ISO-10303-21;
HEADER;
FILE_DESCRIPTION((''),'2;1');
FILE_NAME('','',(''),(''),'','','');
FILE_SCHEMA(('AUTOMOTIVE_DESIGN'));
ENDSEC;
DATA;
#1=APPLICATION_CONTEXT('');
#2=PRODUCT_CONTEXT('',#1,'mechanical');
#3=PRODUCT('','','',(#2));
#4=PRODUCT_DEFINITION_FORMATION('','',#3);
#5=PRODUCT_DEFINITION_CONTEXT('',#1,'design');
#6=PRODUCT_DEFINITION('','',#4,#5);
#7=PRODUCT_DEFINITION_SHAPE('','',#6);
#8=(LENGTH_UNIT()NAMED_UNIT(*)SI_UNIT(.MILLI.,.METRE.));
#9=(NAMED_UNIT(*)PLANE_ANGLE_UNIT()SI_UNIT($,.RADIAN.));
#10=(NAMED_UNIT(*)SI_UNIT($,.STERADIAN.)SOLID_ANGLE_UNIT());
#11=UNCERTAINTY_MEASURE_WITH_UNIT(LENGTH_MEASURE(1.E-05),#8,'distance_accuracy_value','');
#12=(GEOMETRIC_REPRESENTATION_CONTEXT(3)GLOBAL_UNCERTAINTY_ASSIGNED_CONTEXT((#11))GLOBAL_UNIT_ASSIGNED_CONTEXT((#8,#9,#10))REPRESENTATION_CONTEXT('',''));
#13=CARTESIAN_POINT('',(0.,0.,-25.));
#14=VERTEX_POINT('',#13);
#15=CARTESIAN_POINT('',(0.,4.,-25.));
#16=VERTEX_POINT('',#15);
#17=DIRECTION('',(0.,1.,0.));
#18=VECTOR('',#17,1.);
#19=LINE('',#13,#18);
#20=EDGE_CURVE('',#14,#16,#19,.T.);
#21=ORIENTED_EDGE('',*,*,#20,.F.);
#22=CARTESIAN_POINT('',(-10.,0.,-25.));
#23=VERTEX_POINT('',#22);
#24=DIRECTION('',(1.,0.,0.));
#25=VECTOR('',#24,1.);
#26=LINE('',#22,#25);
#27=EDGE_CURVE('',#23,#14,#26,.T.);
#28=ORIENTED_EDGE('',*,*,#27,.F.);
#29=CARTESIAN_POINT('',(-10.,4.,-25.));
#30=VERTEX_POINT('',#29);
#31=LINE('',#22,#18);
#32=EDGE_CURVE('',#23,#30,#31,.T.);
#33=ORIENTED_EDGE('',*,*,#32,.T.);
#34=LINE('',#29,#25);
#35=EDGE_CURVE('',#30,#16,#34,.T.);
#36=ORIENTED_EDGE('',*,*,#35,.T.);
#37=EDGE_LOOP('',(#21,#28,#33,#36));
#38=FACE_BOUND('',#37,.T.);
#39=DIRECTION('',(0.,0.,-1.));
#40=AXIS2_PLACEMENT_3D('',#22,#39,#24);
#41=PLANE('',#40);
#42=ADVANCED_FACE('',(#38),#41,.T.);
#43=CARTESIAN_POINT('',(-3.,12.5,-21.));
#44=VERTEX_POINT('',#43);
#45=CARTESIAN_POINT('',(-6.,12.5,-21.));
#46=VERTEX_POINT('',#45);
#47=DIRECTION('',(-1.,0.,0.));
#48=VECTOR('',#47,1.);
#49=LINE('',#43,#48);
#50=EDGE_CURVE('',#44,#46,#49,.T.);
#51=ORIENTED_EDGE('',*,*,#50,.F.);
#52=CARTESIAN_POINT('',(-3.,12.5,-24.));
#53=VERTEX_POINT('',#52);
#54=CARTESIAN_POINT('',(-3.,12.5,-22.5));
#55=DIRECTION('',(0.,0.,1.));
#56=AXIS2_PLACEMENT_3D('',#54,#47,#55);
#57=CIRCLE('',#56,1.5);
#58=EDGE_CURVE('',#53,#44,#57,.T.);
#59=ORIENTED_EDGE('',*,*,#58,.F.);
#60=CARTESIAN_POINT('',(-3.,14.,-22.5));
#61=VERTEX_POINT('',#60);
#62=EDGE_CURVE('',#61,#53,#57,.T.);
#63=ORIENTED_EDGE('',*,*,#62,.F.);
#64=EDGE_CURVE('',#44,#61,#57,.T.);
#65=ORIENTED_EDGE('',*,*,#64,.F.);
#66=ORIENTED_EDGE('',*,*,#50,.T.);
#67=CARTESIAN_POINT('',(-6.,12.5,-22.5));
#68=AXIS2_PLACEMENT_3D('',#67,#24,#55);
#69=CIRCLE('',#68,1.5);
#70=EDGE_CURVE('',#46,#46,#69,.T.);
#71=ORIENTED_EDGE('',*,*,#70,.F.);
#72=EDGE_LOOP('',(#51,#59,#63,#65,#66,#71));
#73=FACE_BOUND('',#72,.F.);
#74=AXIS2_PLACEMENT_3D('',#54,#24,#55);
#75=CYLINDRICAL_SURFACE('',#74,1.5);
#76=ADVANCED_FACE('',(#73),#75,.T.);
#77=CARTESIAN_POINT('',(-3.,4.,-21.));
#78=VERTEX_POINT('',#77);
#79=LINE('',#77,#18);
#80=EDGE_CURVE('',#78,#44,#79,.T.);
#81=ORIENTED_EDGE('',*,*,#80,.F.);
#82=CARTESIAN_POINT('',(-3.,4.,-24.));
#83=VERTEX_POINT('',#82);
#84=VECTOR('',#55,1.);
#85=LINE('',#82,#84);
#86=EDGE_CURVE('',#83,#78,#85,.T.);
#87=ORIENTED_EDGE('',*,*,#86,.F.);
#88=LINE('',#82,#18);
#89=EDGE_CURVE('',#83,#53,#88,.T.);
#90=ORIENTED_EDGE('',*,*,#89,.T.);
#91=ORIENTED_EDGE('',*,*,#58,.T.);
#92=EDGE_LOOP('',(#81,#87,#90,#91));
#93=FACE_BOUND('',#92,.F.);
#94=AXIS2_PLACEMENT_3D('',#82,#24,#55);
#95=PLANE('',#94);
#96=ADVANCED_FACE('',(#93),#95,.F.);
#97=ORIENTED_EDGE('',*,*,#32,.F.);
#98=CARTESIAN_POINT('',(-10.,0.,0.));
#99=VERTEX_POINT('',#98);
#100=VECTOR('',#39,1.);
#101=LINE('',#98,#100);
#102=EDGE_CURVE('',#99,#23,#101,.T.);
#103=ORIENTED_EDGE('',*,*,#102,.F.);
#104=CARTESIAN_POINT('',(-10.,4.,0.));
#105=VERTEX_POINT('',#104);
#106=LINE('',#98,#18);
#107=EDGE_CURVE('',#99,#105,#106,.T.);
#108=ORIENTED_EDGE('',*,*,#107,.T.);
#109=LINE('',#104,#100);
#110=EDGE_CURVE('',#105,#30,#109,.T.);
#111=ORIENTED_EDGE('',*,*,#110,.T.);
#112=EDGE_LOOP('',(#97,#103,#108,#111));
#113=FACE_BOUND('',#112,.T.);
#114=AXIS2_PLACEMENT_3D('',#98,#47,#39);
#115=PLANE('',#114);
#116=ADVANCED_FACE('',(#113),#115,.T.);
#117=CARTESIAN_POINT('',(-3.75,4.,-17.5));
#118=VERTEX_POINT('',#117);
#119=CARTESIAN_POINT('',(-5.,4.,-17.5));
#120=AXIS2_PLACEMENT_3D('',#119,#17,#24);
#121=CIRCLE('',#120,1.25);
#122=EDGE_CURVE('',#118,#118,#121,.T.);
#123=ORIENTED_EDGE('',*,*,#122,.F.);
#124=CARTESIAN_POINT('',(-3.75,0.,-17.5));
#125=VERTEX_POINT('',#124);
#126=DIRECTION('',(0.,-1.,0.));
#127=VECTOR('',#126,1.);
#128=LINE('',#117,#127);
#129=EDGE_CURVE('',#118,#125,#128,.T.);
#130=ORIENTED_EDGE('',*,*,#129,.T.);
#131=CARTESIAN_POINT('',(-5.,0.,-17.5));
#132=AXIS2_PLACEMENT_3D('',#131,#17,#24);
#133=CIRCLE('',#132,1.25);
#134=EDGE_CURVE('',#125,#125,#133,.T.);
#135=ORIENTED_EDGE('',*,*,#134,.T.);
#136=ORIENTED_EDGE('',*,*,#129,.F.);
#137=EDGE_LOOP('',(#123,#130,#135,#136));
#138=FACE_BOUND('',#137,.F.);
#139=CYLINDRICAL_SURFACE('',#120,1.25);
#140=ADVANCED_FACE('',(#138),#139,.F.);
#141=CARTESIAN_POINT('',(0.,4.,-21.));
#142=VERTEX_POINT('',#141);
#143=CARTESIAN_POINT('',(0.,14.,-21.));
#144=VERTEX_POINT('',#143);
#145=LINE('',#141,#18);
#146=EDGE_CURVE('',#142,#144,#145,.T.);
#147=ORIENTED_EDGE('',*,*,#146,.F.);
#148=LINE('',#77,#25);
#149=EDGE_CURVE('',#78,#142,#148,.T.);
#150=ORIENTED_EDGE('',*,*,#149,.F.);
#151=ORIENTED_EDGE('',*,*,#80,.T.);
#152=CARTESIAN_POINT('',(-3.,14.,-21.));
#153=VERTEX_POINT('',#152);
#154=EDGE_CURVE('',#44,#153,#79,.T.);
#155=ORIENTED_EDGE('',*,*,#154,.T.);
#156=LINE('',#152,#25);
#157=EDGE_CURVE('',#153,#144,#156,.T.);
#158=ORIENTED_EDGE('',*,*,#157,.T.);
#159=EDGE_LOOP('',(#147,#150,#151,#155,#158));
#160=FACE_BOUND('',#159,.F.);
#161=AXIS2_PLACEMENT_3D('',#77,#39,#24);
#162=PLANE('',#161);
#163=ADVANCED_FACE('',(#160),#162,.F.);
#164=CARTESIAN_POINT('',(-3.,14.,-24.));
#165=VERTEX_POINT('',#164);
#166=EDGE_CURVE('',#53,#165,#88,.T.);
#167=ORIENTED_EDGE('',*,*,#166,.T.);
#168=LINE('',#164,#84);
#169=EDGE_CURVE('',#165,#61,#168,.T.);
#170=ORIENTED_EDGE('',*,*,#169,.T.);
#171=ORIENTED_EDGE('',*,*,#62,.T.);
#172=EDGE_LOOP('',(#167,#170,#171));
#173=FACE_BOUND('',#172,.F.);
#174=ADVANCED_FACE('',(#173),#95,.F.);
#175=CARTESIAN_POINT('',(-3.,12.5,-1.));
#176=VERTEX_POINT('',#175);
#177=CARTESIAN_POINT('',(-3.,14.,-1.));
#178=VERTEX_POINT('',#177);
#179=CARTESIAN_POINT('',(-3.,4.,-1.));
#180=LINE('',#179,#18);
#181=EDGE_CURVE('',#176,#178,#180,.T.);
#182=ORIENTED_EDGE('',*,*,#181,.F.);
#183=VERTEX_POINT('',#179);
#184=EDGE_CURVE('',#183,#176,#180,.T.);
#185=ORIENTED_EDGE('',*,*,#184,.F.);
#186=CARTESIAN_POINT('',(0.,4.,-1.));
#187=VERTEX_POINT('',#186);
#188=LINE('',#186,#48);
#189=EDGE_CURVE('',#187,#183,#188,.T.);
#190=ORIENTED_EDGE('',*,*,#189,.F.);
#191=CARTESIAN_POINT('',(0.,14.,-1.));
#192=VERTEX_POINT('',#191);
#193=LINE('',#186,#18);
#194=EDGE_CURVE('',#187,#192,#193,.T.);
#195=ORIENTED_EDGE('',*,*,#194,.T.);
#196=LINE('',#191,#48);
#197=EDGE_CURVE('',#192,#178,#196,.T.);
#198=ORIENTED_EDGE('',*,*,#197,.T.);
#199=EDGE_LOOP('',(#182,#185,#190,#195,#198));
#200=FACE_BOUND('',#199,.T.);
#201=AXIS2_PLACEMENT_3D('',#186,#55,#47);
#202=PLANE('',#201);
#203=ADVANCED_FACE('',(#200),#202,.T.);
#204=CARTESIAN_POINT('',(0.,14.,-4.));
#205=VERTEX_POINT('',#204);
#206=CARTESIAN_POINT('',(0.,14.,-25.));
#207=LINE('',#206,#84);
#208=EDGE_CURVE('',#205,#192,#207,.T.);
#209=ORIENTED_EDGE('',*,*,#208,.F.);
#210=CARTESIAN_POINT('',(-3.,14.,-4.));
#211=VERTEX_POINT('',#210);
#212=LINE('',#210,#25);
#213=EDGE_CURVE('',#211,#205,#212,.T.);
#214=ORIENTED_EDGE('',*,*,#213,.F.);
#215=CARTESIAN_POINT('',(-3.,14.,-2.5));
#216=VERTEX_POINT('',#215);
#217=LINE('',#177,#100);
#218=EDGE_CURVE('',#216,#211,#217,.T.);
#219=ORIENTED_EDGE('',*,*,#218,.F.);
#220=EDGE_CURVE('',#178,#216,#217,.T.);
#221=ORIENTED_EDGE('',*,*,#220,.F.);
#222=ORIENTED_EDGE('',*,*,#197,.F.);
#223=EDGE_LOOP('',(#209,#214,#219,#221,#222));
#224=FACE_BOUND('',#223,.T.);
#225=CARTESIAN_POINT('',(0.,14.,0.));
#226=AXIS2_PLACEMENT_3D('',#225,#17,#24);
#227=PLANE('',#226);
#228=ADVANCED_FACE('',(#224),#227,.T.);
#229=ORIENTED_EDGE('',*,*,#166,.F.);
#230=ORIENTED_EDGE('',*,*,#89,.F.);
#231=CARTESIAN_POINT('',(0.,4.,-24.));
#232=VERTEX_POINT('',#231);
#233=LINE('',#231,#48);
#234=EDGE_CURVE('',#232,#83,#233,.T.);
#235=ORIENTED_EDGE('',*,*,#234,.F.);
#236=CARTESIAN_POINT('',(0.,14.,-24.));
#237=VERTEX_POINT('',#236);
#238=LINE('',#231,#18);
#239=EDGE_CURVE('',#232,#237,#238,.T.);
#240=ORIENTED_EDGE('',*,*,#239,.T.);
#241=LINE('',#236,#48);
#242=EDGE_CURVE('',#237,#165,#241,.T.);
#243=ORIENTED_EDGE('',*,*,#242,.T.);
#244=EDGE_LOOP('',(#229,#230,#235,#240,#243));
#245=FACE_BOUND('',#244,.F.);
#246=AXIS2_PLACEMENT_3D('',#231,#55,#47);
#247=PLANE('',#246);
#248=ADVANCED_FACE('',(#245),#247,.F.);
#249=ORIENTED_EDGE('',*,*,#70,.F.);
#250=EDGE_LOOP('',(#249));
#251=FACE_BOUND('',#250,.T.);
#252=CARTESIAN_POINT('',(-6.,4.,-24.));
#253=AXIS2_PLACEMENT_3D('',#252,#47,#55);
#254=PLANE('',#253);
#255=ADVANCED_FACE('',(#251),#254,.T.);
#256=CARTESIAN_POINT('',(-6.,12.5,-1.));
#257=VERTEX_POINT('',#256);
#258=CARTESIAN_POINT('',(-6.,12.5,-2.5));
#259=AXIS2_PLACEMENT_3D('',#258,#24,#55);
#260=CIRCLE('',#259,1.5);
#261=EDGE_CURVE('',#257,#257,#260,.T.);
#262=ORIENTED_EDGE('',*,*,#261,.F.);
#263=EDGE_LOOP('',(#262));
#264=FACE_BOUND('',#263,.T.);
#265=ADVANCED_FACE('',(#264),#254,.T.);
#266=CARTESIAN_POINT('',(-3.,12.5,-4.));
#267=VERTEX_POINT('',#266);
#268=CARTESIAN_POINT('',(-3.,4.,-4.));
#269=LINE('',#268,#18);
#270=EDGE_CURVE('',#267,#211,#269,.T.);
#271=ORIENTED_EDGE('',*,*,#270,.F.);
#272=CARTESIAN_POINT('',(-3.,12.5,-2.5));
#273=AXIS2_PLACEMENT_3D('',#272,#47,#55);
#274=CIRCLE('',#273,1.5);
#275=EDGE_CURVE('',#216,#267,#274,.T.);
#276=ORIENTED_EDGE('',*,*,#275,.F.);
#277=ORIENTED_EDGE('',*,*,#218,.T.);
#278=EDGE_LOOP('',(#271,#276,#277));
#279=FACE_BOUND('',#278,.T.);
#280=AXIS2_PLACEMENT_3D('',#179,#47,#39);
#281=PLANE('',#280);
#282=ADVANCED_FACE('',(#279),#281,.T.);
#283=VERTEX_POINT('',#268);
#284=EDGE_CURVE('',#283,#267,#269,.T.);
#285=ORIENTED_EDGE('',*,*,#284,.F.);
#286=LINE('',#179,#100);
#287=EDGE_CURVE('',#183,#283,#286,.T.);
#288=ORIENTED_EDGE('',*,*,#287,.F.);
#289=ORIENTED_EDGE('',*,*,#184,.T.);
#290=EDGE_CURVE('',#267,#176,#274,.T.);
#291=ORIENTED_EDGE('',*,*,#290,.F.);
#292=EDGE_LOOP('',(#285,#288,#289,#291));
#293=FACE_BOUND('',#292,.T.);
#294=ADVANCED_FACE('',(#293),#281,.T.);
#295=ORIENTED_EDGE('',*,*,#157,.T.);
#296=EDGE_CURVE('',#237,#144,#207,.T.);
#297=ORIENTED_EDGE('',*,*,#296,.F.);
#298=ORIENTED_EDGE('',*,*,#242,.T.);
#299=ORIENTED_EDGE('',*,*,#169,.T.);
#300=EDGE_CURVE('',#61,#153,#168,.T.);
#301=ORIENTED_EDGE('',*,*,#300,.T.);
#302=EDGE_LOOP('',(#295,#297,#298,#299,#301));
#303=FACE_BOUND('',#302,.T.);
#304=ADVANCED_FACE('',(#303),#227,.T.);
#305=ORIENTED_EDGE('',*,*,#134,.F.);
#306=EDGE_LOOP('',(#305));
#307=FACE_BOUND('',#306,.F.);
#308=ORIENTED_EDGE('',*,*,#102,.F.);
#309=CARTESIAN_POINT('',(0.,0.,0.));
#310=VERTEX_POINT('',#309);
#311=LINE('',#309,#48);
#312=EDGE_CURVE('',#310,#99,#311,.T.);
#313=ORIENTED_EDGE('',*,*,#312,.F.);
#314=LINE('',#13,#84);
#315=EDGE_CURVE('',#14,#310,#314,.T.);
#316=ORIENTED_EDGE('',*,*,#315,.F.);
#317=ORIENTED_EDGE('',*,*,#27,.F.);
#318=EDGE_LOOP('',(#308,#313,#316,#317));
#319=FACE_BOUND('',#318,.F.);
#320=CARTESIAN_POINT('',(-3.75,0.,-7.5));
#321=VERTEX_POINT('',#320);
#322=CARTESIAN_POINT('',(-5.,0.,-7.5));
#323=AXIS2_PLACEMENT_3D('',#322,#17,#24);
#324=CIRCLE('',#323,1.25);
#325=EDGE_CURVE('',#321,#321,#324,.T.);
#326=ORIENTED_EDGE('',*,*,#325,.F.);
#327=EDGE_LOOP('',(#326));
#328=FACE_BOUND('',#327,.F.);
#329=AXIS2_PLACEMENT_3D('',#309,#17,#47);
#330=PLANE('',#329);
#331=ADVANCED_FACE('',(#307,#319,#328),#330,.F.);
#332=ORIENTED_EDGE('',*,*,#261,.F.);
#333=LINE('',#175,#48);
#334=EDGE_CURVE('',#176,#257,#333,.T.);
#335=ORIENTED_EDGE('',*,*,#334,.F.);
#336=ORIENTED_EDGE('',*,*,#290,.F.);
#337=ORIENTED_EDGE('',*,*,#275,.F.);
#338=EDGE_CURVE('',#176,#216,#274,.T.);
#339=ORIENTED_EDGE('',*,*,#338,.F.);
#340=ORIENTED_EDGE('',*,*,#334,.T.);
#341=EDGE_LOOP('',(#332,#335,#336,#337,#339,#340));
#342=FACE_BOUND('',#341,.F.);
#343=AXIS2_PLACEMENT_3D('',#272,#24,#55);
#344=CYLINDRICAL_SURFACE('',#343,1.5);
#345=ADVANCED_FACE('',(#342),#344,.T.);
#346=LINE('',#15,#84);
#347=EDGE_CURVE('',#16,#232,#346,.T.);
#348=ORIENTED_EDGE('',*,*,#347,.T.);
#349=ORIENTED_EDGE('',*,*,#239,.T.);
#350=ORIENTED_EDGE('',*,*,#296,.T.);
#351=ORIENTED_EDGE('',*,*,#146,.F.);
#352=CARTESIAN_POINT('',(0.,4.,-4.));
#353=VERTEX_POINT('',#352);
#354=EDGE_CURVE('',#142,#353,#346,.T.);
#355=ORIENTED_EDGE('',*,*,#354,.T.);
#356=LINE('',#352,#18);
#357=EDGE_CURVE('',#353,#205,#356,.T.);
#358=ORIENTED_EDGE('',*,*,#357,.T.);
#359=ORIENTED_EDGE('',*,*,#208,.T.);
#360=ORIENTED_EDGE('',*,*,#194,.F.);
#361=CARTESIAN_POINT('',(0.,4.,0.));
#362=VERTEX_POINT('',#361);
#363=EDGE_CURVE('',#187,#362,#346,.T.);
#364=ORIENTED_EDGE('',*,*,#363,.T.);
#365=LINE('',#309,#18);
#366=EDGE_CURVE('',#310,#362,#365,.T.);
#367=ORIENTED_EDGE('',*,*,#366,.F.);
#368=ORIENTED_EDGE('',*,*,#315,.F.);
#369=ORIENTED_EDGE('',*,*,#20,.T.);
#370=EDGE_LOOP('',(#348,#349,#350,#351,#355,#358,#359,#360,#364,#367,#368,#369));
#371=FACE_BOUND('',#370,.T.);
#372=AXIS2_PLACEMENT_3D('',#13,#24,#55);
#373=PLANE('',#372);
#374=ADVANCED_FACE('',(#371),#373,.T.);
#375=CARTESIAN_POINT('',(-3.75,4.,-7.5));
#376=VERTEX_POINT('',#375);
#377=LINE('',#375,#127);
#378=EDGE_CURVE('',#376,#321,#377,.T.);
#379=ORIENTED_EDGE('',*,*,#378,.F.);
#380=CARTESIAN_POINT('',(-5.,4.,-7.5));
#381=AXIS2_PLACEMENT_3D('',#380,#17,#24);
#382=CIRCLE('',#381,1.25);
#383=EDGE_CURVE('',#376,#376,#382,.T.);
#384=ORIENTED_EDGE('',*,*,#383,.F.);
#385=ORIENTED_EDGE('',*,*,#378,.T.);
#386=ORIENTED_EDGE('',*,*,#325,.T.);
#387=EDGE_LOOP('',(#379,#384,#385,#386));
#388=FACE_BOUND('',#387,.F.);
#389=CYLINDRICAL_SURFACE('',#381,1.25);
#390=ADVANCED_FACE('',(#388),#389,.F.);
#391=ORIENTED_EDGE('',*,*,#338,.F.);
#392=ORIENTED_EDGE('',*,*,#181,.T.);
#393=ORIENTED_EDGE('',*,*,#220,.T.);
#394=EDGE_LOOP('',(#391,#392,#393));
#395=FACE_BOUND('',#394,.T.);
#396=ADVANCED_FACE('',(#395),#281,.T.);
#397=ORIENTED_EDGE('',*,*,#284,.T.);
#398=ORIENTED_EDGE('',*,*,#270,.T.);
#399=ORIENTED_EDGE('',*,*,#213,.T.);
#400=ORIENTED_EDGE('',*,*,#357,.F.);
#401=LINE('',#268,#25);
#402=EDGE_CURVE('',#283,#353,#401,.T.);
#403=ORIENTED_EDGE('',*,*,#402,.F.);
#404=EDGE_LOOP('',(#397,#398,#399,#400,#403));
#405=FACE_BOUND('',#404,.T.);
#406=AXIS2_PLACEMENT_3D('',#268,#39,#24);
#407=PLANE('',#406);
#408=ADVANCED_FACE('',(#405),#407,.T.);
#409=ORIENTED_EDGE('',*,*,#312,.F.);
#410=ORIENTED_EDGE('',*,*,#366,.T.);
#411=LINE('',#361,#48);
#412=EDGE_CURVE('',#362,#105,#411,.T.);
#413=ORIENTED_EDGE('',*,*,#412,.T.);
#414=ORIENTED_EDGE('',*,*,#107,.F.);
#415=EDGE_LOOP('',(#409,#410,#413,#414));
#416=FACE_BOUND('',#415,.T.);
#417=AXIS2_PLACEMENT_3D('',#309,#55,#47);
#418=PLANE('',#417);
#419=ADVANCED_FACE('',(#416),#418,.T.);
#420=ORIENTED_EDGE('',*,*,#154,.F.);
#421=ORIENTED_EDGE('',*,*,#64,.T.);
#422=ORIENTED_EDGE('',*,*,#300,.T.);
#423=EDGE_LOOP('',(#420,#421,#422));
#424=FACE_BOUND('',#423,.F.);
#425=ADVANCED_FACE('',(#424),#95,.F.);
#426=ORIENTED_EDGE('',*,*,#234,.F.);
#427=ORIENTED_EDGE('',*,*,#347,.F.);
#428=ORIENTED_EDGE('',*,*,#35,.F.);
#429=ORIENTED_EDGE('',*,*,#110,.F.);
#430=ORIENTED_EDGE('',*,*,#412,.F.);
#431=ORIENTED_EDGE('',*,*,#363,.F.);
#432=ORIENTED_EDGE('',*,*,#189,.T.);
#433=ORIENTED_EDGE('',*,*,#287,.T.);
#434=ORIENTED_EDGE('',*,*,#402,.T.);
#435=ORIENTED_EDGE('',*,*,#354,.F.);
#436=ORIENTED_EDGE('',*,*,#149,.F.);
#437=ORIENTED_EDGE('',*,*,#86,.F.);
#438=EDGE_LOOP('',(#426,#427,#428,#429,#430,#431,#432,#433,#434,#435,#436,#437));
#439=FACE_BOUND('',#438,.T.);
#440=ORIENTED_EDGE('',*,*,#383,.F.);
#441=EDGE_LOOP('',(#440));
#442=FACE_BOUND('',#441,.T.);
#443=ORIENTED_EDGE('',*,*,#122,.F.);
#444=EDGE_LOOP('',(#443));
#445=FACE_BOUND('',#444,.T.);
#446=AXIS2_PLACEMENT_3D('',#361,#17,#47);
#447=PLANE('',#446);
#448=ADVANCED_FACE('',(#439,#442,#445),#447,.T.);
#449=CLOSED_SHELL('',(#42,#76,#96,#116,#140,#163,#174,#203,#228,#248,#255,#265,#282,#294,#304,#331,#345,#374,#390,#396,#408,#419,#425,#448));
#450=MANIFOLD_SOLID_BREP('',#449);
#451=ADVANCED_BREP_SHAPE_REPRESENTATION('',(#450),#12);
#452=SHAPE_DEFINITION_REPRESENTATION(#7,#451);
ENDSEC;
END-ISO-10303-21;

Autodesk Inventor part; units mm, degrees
ref_plane "YZ Plane" through (0, 0, 0) normal (1, 0, 0) x (0, 1, 0)
ref_plane "XZ Plane" through (0, 0, 0) normal (0, 1, 0) x (-1, 0, 0)
ref_plane "XY Plane" through (0, 0, 0) normal (0, 0, 1) x (1, 0, 0)
sketch "Sketch1" plane through (0, 0, 0) normal (0, 1, 0) x (-1, 0, 0)
  line L0 (0, 0) -> (10, 0)
  line L1 (10, 0) -> (10, -25)
  line L2 (10, -25) -> (0, -25)
  line L3 (0, -25) -> (0, 0)
  dimension "d0" = 10
  dimension "d1" = 25
extrude "Extrusion1" add sketch "Sketch1" along normal blind 4
sketch "Sketch2" plane through (0, 4, 0) normal (0, 1, 0) x (1, 0, 0)
  line L0 (0, 0) -> (0, 12.5)
  line L1 (0, 0) -> (0, 25) projected
  line L2 (0, 12.5) -> (0, 7.5)
  line L3 (0, 12.5) -> (0, 17.5)
  line L4 (0, 17.5) -> (-5, 17.5)
  line L5 (-10, 25) -> (-10, 0) projected
  circle A0 centre (-5, 17.5) radius 1.25
  line L6 (0, 7.5) -> (-5, 7.5)
  circle A1 centre (-5, 7.5) radius 1.25
  dimension "d4" = 12.5
  dimension "d5" = 5
  dimension "d6" = 5
  dimension "d7" = 5
  dimension "d8" = 2.5
  dimension "d9" = 5
  dimension "d10" = 2.5
extrude "Extrusion2" cut sketch "Sketch2" against normal blind 5
sketch "Sketch3" plane through (0, 4, 0) normal (0, 1, 0) x (1, 0, 0)
  line L0 (0, 25) -> (0, 0) projected
  line L1 (0, 25) -> (0, 24)
  line L2 (0, 24) -> (-3, 24)
  line L3 (-3, 24) -> (-3, 21)
  line L4 (-3, 21) -> (0, 21)
  line L5 (0, 21) -> (0, 24)
  line L6 (0, 0) -> (0, 1)
  line L7 (0, 1) -> (-3, 1)
  line L8 (-3, 1) -> (-3, 4)
  line L9 (-3, 4) -> (0, 4)
  line L10 (0, 4) -> (0, 1)
  dimension "d13" = 1
  dimension "d14" = 3
  dimension "d15" = 3
  dimension "d16" = 1
  dimension "d17" = 3
  dimension "d18" = 3
extrude "Extrusion3" add sketch "Sketch3" along normal blind 10
sketch "Sketch4" plane through (-3, 4, -24) normal (-1, 0, 0) x (0, 0, 1)
  line L0 (0, 0) -> (0, 10) projected
  line L1 (0, 10) -> (1.5, 10)
  line L2 (1.5, 10) -> (1.5, 8.5)
  line L3 (1.5, 8.5) -> (0, 8.5)
  line L4 (0, 8.5) -> (0, 10)
  circle A0 centre (1.5, 8.5) radius 1.5
  line L5 (23, 10) -> (20, 10) projected
  line L6 (23, 10) -> (21.5, 10)
  line L7 (21.5, 10) -> (21.5, 8.5)
  line L8 (21.5, 8.5) -> (23, 8.5)
  line L9 (23, 8.5) -> (23, 10)
  circle A1 centre (21.5, 8.5) radius 1.5
  point P0 (24, -4)
  dimension "d21" = 1.5
  dimension "d22" = 1.5
  dimension "d23" = 3
  dimension "d24" = 1.5
  dimension "d25" = 1.5
  dimension "d26" = 3
extrude "Extrusion4" add sketch "Sketch4" along normal blind 3 contours A0 L2 L3 | L3 L2 A0 | A1 L8 L7 | L7 L8 A1
properties part number "LaserMount"
